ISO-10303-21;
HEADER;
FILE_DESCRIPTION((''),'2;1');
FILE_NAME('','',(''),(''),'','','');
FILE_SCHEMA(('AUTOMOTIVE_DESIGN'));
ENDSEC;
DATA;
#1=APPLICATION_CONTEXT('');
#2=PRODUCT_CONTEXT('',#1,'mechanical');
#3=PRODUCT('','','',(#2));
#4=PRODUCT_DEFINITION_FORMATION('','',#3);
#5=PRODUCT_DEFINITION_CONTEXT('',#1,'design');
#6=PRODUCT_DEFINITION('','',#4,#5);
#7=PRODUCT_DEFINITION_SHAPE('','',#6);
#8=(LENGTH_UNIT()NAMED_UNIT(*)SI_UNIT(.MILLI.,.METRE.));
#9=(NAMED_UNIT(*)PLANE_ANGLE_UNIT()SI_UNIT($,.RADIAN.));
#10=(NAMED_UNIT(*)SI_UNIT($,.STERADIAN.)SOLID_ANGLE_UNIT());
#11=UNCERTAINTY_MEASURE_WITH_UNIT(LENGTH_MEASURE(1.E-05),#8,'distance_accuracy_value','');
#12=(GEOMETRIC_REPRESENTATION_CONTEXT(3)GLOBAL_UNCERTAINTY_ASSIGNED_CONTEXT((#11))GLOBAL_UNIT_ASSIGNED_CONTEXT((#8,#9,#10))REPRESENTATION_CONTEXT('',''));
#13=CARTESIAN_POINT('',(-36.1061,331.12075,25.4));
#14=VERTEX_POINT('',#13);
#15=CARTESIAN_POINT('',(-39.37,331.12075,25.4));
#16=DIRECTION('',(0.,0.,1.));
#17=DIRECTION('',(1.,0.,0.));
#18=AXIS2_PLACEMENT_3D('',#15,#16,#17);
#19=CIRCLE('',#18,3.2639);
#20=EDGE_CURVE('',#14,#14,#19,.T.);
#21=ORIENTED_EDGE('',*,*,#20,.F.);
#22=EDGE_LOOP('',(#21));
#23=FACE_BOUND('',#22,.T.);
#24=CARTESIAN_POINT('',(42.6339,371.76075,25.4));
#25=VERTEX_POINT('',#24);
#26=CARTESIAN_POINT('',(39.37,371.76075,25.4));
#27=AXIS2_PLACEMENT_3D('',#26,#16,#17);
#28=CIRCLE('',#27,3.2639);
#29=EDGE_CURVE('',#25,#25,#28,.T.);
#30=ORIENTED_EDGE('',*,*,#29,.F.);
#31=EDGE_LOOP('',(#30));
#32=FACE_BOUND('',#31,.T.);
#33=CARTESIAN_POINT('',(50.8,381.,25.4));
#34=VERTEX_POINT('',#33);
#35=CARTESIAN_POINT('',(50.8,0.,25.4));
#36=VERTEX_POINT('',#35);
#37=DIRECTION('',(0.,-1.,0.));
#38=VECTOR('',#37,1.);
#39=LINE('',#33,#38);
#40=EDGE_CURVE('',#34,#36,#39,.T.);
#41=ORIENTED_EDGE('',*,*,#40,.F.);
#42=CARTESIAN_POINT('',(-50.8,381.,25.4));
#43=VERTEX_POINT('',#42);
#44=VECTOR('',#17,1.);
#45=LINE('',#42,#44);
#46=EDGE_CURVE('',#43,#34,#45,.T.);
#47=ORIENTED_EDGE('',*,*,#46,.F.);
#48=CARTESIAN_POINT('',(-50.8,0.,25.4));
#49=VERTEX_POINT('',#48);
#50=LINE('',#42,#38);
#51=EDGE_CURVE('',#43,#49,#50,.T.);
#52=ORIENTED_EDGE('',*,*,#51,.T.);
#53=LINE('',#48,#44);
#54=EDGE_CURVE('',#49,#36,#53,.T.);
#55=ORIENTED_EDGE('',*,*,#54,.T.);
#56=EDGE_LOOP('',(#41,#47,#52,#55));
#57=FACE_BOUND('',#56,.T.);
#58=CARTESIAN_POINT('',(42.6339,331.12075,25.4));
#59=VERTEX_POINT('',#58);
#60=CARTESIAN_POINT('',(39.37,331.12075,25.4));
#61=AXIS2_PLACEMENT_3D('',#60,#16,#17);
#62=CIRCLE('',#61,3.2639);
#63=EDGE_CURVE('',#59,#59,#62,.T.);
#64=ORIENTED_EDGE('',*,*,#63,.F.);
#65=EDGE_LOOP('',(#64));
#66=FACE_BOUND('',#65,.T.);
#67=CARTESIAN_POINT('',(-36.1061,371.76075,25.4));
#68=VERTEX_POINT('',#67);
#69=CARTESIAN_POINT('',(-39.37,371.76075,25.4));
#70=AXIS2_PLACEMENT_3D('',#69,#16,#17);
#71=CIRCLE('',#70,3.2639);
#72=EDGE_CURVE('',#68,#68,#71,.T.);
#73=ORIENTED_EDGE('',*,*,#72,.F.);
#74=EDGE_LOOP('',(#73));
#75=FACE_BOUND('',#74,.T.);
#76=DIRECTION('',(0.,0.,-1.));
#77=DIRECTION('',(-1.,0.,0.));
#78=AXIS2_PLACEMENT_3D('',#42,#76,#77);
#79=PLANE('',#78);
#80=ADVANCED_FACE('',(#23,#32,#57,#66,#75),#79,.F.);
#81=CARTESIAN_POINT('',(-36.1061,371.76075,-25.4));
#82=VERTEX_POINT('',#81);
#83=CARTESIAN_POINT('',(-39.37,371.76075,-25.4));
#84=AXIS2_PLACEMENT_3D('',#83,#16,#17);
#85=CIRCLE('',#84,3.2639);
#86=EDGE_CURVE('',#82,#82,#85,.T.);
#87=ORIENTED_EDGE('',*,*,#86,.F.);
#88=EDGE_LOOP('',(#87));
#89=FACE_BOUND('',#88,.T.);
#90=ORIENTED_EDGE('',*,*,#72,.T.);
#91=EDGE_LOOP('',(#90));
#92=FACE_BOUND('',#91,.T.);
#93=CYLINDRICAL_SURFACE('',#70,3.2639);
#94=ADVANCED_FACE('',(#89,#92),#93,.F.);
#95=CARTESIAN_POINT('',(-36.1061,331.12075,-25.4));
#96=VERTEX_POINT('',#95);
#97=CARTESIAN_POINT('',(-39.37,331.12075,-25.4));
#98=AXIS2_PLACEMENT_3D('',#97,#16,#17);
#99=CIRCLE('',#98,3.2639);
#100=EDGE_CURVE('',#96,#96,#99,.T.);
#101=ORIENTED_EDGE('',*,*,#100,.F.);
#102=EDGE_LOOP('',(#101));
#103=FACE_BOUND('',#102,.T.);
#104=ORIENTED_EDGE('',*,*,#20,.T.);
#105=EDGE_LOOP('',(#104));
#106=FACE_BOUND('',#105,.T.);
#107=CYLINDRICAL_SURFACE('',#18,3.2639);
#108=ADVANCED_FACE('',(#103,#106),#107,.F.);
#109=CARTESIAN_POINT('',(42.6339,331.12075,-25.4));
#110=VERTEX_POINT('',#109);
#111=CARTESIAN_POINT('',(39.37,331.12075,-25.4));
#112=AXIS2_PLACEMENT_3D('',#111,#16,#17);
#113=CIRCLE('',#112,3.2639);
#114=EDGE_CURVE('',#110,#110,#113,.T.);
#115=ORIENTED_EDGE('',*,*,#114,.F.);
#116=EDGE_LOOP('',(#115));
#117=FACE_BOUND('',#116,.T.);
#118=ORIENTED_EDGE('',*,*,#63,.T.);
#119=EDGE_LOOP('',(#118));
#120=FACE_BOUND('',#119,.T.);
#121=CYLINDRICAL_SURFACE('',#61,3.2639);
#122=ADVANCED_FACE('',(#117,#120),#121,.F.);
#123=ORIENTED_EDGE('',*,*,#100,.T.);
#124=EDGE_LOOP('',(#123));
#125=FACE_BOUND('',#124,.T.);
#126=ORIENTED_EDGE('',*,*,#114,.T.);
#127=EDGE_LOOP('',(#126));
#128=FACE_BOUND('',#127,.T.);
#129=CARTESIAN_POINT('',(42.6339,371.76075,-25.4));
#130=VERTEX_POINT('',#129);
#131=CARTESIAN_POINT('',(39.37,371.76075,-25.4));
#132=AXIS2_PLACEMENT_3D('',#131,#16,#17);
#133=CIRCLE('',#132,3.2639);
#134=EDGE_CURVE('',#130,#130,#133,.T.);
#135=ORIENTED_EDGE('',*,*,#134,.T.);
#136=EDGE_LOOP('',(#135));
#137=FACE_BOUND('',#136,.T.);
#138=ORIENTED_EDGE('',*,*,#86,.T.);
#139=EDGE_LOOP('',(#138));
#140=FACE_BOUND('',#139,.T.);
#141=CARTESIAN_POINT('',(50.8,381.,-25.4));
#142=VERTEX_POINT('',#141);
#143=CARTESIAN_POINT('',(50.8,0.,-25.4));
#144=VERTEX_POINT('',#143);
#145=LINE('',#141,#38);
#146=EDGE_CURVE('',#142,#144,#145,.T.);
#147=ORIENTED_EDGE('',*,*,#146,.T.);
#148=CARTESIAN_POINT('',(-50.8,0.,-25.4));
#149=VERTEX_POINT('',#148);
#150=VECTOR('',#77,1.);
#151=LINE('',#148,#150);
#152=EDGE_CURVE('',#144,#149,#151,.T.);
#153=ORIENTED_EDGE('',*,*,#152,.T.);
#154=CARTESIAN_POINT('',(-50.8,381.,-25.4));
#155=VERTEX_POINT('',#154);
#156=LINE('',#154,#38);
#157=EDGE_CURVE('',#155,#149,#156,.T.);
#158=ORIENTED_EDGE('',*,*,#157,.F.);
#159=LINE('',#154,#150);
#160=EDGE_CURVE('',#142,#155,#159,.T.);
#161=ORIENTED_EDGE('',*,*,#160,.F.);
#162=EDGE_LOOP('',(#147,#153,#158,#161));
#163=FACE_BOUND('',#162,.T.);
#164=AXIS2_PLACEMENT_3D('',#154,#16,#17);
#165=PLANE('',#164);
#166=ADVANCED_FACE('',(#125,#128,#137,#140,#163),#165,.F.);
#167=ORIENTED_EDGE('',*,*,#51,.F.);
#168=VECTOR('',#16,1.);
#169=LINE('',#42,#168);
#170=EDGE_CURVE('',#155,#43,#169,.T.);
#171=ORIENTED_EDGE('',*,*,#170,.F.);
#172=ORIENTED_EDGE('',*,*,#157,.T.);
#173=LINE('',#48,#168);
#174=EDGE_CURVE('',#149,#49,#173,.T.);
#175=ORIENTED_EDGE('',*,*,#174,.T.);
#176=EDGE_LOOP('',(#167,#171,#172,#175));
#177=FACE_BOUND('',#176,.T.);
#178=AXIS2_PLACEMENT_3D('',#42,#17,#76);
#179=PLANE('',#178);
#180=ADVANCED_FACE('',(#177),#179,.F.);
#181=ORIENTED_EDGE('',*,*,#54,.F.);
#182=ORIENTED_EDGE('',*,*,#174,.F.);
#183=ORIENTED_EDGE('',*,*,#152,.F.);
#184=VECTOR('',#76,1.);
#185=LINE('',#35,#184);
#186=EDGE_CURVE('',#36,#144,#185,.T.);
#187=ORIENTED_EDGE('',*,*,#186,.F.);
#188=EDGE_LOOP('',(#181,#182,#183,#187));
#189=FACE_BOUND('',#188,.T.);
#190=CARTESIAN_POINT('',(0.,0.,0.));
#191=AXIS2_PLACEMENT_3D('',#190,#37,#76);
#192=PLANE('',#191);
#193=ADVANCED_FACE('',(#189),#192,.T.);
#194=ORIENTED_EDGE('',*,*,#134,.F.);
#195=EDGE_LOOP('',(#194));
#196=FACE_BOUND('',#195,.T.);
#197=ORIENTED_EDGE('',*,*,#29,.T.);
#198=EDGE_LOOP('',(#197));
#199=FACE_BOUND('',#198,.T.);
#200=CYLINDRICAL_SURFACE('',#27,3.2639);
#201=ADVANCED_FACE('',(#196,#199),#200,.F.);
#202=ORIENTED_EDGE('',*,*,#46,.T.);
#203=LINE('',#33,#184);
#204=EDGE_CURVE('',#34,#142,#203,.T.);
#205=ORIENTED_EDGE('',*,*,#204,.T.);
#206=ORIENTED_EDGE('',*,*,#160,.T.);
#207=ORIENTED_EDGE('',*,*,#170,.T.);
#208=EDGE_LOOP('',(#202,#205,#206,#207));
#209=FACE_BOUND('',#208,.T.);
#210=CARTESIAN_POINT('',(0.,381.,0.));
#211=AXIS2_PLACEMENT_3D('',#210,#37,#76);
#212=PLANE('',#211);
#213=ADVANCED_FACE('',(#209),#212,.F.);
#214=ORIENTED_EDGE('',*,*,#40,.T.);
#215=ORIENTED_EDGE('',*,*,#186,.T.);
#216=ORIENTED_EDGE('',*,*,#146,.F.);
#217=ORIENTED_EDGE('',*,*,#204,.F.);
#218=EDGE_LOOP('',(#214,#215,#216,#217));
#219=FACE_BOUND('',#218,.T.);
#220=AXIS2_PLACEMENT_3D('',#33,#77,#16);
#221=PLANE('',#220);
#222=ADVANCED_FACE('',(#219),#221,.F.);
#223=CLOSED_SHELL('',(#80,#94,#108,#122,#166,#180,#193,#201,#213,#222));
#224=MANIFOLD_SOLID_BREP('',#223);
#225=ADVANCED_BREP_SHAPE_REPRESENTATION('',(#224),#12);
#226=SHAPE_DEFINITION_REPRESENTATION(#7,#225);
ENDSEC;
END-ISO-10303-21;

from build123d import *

# Parameters (mm, degrees)
SKETCH1_W               = 101.6
SKETCH1_H               = 50.8
BOSS_EXTRUDE1_DEPTH     = 381
F_1_4_CLEARANCE_HOLE2_D = 6.5278


with BuildPart() as part:
    # Sketch1 → Boss-Extrude1 (new body)
    with BuildSketch(Plane(origin=(0, 0, 0), x_dir=(1, 0, 0), z_dir=(0, 1, 0))):
        Rectangle(SKETCH1_W, SKETCH1_H)
    extrude(amount=BOSS_EXTRUDE1_DEPTH)

    # 1/4 Clearance Hole2 (through all)
    with Locations(Plane(origin=(0, 128.0439367, 25.4), x_dir=(1, 0, 0), z_dir=(0, 0, 1))):
        with Locations((39.37, 243.7168133), (39.37, 203.0768133), (-39.37, 203.0768133), (-39.37, 243.7168133)):
            Hole(F_1_4_CLEARANCE_HOLE2_D / 2)


solid = part.part
